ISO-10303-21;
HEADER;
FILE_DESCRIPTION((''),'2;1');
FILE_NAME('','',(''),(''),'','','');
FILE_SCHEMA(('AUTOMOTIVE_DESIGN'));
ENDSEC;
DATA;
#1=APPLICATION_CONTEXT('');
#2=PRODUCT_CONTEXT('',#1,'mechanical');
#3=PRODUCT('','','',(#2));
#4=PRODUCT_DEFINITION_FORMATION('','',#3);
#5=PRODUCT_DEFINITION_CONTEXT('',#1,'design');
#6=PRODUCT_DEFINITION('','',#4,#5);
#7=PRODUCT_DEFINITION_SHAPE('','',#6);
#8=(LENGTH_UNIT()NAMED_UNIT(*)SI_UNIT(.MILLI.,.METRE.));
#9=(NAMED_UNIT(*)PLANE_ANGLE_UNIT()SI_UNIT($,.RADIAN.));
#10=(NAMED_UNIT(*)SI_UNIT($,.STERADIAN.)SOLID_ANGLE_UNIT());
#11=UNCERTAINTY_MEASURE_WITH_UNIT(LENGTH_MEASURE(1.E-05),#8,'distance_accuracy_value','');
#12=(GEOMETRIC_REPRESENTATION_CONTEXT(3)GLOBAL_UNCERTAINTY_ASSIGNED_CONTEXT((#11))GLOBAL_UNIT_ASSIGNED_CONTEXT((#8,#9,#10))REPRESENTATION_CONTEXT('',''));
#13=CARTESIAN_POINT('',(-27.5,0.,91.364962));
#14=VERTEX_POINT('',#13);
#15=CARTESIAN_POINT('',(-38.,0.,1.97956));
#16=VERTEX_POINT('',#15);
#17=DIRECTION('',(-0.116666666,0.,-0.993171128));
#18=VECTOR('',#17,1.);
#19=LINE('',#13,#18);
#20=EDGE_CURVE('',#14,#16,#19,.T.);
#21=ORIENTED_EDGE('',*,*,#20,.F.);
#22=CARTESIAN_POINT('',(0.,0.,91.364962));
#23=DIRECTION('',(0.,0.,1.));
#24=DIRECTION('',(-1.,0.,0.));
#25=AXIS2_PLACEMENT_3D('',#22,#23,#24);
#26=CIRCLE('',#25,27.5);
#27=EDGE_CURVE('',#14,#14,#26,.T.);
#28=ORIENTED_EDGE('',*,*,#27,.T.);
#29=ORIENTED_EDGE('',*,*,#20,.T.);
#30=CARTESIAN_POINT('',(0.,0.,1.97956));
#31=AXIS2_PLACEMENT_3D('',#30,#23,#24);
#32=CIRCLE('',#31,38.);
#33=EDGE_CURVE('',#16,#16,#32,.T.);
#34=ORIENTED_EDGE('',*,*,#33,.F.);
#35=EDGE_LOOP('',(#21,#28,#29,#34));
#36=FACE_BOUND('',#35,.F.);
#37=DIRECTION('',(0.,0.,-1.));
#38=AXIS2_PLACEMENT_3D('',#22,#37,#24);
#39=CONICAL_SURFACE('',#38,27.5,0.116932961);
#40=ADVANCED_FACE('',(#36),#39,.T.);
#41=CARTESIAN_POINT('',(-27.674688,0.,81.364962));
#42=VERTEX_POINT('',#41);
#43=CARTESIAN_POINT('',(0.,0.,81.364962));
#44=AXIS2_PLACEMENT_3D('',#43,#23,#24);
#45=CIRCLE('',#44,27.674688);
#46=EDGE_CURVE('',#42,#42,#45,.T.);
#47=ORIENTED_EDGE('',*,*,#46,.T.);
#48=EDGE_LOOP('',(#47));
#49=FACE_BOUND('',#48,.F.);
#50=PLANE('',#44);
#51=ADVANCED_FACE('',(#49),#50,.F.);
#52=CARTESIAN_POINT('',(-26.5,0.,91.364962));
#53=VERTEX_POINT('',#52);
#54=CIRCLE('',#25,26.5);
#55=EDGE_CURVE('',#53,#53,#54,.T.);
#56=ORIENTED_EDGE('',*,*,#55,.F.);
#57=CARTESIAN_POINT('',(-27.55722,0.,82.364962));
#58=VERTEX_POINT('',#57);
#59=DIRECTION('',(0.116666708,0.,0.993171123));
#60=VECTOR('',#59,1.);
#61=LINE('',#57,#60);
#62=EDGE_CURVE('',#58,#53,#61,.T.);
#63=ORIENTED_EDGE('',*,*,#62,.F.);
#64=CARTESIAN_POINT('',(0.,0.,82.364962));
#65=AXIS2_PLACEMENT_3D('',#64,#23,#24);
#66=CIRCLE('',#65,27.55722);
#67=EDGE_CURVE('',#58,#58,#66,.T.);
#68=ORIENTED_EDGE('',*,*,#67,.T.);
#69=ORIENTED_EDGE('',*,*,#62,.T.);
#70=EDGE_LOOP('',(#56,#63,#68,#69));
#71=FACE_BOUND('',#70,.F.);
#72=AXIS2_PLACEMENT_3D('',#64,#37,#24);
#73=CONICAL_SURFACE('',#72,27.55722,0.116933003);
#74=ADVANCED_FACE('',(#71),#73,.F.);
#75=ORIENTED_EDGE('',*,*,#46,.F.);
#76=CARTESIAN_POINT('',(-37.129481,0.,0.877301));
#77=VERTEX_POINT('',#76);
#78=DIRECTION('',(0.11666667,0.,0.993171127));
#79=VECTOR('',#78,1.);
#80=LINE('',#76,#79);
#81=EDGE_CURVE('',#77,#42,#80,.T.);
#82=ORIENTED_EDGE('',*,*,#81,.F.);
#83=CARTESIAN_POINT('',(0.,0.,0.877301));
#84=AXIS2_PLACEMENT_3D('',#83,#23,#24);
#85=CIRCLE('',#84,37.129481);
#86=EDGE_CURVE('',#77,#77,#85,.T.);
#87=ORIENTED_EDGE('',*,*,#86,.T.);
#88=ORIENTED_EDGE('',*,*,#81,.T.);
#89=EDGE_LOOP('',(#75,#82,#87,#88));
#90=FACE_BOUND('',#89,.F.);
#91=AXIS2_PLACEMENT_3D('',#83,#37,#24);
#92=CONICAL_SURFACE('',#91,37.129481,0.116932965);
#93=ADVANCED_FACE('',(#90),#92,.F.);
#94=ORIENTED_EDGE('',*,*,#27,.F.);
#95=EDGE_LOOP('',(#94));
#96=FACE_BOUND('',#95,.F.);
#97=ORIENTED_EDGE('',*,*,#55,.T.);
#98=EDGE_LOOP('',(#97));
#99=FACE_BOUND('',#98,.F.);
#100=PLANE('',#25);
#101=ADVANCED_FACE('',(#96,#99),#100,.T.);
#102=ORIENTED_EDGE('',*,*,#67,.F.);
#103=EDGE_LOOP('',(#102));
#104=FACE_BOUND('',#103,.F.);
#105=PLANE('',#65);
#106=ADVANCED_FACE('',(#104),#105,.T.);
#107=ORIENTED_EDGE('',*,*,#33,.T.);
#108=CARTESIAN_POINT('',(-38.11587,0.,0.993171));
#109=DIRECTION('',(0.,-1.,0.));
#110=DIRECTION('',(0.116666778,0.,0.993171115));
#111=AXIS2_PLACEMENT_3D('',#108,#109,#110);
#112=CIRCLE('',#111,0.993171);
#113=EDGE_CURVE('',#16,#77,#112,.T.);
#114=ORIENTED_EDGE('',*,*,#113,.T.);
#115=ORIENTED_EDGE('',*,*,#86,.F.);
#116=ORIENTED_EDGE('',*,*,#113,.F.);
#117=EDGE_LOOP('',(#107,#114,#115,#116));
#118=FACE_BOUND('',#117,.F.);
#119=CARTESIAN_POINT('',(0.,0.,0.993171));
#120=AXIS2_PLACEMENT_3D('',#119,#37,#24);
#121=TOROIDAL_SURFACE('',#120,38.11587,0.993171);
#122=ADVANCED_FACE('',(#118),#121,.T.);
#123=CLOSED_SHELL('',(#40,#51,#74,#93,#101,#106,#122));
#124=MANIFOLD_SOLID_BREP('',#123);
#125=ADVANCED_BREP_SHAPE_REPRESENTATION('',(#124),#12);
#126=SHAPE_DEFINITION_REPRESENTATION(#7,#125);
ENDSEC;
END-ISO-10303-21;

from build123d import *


with BuildPart() as part:
    # Sketch → Revolution (revolve)
    with BuildSketch(Plane.XZ):
        with BuildLine():
            Line((0, 82.364962), (-27.55722, 82.364962))
            Line((-27.55722, 82.364962), (-26.5, 91.364962))
            Line((-26.5, 91.364962), (-27.5, 91.364962))
            Line((-27.5, 91.364962), (-38, 1.97956))
            ThreePointArc((-38, 1.97956), (-38.895285, 0.377621), (-37.129481, 0.877301))
            Line((-37.129481, 0.877301), (-27.674688, 81.364962))
            Line((-27.674688, 81.364962), (0, 81.364962))
            Line((0, 81.364962), (0, 82.364962))
        make_face()
    revolve(axis=Axis((0, 0, 0), (0, 0, 1)))


solid = part.part
